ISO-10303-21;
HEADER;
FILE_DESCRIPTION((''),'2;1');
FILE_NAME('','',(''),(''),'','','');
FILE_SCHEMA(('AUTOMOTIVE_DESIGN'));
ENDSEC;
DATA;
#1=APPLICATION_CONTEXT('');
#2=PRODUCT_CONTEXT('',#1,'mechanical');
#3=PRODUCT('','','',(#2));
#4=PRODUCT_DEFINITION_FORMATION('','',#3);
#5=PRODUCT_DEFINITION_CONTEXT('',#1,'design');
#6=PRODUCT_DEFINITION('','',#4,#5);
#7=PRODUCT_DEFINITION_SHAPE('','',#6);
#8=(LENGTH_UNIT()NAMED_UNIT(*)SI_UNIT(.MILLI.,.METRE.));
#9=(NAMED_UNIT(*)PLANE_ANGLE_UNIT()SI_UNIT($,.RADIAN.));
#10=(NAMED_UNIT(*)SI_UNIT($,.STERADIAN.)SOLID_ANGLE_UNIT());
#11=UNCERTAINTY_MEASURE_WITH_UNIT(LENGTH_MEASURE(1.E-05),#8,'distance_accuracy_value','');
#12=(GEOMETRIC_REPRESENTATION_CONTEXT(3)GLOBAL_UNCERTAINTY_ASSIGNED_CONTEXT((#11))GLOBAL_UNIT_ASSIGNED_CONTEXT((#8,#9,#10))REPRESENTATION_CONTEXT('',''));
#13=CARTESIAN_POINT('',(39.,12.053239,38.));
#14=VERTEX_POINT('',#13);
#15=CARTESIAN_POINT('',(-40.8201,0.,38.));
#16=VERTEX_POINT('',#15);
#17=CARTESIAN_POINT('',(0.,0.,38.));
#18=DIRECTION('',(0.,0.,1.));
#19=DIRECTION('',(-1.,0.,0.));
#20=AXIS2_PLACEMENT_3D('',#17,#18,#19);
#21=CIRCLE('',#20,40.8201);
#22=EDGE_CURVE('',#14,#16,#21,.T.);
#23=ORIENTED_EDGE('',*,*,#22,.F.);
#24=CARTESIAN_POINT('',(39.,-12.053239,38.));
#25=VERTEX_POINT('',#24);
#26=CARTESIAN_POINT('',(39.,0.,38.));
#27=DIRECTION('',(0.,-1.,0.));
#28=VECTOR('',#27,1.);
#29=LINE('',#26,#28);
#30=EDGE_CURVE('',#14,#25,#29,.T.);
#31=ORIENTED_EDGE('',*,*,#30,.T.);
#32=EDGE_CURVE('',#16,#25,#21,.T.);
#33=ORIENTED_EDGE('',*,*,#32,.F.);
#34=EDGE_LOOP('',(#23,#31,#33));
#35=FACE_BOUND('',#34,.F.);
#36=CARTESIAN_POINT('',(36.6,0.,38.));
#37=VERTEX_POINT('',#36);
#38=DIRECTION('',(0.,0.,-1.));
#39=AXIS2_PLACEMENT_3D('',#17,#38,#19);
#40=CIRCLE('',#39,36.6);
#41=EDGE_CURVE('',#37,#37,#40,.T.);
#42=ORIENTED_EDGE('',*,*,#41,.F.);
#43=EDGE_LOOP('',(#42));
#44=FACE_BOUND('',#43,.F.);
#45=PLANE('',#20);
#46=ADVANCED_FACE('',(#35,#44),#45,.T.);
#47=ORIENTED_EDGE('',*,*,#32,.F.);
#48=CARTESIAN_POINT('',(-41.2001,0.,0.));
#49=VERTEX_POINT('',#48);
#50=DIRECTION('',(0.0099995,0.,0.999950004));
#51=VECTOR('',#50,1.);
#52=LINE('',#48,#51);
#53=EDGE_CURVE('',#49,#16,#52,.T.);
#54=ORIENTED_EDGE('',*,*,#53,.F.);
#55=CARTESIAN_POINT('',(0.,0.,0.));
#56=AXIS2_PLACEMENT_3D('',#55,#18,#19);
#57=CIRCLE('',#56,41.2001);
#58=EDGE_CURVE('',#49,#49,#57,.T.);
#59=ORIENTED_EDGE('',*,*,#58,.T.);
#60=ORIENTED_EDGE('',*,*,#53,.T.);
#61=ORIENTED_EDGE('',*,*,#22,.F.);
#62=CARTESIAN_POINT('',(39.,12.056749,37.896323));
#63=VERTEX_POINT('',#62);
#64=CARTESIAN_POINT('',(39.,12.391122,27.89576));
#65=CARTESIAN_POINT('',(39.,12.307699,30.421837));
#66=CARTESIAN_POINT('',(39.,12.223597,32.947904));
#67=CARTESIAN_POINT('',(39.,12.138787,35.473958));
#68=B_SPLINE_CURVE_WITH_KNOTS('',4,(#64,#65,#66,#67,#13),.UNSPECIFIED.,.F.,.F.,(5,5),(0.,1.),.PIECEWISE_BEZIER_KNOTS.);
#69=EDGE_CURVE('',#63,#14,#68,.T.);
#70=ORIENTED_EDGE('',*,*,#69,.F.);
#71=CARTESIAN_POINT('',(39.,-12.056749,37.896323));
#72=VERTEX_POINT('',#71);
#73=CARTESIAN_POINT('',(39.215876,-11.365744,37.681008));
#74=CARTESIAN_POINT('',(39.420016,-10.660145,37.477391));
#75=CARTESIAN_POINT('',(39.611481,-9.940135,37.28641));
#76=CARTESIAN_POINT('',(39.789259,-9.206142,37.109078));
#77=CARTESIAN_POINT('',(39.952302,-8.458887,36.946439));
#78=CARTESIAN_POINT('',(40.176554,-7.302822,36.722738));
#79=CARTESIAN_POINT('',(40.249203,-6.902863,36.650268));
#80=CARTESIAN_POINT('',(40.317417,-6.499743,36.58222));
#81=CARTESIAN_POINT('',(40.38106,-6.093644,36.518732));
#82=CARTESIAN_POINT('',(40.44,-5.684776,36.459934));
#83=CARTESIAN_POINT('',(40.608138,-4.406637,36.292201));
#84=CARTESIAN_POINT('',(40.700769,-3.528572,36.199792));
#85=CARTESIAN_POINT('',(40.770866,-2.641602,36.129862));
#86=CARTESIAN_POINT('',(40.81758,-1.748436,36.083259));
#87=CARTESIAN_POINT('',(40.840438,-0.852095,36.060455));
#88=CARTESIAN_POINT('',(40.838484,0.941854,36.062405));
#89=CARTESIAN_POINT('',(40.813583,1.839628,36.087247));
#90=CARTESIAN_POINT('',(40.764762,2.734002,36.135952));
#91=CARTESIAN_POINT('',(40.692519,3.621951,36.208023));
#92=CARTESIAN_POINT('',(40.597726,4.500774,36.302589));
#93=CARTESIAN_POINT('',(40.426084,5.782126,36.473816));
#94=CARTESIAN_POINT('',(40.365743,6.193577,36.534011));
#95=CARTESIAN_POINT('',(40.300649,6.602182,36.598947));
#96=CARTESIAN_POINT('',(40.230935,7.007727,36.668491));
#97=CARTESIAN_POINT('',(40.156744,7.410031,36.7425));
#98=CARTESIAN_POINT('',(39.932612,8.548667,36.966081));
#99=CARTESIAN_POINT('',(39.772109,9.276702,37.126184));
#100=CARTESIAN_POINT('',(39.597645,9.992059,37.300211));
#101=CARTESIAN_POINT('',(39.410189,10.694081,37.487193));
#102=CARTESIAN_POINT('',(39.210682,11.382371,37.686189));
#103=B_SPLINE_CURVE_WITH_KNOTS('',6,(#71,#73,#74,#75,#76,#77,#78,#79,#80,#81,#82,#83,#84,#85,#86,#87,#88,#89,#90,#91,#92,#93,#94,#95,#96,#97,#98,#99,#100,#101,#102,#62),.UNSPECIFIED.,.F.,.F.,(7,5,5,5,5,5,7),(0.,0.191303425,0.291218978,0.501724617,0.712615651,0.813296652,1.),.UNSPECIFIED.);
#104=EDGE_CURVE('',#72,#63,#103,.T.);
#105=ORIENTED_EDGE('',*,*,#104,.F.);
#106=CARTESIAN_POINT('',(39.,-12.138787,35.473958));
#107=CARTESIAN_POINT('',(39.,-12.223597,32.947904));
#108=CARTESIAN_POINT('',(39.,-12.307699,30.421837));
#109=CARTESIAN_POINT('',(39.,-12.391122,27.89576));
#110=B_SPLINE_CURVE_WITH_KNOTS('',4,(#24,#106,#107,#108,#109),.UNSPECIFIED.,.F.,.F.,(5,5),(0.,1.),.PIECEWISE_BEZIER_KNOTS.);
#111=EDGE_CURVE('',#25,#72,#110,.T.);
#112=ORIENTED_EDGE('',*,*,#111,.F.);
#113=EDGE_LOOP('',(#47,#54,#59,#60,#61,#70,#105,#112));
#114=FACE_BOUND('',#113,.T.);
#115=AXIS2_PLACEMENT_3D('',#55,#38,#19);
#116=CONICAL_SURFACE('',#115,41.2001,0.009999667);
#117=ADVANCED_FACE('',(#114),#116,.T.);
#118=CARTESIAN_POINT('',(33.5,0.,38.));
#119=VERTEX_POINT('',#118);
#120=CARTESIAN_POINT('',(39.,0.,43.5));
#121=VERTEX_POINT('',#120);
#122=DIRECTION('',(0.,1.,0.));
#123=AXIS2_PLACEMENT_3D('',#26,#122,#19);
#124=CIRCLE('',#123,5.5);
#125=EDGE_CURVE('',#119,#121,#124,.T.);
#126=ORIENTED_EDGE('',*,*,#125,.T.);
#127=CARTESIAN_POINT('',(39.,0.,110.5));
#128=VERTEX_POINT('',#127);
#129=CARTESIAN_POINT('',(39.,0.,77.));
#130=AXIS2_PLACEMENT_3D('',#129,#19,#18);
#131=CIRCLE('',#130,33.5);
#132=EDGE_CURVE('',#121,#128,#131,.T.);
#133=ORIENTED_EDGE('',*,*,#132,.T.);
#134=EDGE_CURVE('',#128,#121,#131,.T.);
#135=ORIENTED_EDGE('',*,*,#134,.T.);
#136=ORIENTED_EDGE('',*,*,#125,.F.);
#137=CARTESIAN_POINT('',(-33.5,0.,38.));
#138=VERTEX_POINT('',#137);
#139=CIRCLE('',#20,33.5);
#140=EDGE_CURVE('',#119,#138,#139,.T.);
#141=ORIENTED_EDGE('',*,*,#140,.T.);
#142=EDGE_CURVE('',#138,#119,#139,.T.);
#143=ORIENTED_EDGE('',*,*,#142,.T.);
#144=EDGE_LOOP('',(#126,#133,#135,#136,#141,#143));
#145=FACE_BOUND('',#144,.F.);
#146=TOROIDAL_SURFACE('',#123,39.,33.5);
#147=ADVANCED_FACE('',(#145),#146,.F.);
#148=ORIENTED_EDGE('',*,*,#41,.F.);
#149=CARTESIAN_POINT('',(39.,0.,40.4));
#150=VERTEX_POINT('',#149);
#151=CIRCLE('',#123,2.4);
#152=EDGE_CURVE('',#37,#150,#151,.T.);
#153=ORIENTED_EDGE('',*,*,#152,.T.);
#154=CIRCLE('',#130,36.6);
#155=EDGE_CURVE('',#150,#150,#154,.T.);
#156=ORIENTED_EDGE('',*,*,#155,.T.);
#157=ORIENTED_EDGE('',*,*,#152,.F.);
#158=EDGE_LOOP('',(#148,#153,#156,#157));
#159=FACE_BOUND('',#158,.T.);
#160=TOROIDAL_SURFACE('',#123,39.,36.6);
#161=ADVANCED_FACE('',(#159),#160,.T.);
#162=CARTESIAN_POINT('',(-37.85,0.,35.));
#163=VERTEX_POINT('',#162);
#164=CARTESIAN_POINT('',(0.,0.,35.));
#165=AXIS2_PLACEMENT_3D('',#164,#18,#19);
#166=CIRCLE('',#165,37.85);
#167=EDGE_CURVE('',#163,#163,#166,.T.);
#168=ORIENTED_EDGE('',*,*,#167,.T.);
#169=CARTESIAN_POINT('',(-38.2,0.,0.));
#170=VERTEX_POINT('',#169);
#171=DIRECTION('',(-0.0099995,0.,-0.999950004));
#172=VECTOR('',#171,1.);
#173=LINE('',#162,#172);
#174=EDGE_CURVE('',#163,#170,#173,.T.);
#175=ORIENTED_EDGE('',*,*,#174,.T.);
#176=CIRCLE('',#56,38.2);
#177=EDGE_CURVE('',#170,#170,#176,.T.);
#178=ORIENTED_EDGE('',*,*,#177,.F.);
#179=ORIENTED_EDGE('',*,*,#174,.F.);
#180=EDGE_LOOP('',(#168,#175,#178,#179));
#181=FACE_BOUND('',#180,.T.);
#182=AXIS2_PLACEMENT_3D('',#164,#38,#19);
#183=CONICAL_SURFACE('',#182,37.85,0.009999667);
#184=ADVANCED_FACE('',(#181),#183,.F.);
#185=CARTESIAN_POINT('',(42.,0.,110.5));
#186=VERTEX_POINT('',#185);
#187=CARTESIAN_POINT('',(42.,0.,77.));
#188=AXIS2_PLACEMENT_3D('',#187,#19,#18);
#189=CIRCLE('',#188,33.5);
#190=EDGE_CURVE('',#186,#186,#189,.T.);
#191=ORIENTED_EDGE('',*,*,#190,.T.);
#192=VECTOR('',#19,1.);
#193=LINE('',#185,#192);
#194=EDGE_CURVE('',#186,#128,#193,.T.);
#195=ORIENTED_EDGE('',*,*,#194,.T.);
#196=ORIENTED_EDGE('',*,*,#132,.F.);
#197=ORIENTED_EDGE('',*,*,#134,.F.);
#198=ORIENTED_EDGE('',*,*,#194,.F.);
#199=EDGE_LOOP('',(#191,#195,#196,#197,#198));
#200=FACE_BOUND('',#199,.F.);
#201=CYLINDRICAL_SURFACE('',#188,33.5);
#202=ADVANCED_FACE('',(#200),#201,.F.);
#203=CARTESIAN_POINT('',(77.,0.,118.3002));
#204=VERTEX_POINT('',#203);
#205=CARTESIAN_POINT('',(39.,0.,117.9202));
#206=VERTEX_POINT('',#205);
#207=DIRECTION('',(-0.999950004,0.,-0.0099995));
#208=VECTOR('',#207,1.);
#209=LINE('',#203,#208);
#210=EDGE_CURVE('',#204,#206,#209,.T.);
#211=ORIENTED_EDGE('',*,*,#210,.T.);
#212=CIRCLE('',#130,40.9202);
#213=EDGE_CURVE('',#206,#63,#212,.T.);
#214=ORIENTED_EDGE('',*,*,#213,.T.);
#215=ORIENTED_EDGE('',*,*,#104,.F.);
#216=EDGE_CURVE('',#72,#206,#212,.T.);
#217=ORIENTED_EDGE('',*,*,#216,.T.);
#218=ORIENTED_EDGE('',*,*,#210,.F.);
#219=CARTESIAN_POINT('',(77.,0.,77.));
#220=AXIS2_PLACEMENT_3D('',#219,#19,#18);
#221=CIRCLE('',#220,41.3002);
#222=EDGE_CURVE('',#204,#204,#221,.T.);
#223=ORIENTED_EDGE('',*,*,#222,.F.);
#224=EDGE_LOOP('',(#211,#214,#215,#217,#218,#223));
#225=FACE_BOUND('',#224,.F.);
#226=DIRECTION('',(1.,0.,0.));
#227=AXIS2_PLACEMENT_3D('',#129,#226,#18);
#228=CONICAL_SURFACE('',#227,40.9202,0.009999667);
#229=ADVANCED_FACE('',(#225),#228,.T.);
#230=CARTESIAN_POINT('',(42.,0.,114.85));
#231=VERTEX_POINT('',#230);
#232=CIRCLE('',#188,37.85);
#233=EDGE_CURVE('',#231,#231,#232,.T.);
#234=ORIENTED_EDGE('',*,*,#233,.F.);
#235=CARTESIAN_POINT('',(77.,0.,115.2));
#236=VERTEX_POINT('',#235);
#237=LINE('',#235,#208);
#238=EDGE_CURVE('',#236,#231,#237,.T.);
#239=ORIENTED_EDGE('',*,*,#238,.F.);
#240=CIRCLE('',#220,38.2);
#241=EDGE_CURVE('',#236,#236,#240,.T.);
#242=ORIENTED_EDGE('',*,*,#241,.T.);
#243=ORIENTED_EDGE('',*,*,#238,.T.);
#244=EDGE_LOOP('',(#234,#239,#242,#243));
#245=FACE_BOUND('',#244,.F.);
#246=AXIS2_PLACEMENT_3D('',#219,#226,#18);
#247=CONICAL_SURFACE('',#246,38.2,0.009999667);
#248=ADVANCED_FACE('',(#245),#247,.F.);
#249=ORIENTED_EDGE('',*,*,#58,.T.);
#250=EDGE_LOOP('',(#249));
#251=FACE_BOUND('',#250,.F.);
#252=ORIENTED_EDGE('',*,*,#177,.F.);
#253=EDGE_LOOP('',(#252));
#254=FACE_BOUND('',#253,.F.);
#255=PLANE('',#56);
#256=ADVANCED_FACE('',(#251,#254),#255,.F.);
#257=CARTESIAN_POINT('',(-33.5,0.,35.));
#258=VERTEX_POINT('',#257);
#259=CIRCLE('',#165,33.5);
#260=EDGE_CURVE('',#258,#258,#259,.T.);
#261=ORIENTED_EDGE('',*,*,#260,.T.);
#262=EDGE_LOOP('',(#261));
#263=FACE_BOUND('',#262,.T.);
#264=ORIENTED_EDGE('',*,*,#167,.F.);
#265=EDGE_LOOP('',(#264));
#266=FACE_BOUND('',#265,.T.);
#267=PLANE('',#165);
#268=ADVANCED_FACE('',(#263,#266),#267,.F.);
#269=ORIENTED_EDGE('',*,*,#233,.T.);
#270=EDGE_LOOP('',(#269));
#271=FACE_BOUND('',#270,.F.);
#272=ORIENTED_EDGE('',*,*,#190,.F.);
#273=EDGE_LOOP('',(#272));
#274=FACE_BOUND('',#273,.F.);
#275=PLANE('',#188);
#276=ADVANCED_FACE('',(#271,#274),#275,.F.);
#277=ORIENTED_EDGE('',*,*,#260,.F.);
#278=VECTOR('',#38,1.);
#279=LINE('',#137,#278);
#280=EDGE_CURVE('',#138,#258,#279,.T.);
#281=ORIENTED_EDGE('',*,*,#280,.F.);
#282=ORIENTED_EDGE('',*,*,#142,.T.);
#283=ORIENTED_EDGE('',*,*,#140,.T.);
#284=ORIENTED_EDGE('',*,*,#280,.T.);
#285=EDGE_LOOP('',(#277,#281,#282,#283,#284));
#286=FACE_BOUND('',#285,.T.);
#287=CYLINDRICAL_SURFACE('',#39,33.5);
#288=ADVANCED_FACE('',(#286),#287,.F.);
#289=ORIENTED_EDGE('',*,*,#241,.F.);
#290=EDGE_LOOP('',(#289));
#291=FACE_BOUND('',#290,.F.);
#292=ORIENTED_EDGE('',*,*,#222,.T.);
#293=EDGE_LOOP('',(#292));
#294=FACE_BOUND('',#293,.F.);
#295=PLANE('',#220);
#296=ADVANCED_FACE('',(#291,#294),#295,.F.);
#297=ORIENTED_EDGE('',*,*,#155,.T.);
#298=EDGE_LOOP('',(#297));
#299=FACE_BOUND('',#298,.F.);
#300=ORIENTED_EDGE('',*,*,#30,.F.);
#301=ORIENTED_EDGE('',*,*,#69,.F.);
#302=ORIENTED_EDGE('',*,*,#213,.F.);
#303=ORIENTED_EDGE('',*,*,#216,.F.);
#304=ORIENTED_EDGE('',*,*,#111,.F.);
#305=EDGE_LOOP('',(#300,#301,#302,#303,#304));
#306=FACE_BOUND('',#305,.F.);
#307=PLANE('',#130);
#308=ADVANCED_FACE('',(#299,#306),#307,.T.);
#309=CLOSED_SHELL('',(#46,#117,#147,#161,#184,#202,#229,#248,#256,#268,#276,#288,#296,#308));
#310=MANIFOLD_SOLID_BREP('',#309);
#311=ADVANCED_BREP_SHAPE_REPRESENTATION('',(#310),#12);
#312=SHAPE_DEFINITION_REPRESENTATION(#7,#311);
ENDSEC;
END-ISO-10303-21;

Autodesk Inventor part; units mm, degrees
ref_plane "YZ Plane" through (0, 0, 0) normal (1, 0, 0) x (0, 1, 0)
ref_plane "XZ Plane" through (0, 0, 0) normal (0, 1, 0) x (-1, 0, 0)
ref_plane "XY Plane" through (0, 0, 0) normal (0, 0, 1) x (1, 0, 0)
sketch "Sketch1" plane through (0, 0, 0) normal (0, 1, 0) x (-1, 0, 0)
  line L0 (0, 0) -> (0, 38)
  line L1 (41.2001, 0) -> (0, 0)
  line L2 (0, 38) -> (40.8201, 38)
  line L3 (37.85, 35) -> (38.2, 0)
  line L4 (41.2001, 0) -> (40.8201, 38)
  line L5 (33.5, 38) -> (33.5, 35)
  line L6 (33.5, 35) -> (37.85, 35)
  line L7 (33.5, 35) -> (0, 35) construction
  dimension "d0" = 76.4
  dimension "d3" = 75.7
  dimension "d4" = 3
  dimension "d5" = 35
  dimension "d6" = 3
  dimension "d7" = 67
revolve "Revolution1" add sketch "Sketch1" angle 360 about axis through (0, 0, 0) along (0, 0, 1) contours L3 L6 L5 L2 L4 L1
sketch "Sketch2" plane through (0, 0, 38) normal (0, 0, 1) x (1, 0, 0)
  circle A0 centre (0, 0) radius 40.8201 projected
  circle A1 centre (0, 0) radius 33.5 projected
  circle A2 centre (0, 0) radius 36.6
  circle A3 centre (0, 0) radius 33.5
  dimension "d8" = 67
  dimension "d9" = 3.1
sketch "Sketch3" plane through (0, 0, 0) normal (0, 1, 0) x (-1, 0, 0)
  arc A0 (0, 38) -> (-39, 77) centre (-39, 38) ccw
  dimension "d10" = 39
  dimension "d11" = 39
  dimension "d12" = 39
sweep "Sweep1" add profiles "Sketch2" path "Sketch3" contours A2
sketch "Sketch4" plane through (0, 0, 0) normal (0, 1, 0) x (-1, 0, 0)
  line L0 (-39, 43.5) -> (-39, 110.5) projected
  line L1 (-77, 77) -> (-39, 77)
  line L2 (-39, 77) -> (-39, 117.9202)
  line L3 (-39, 117.9202) -> (-77, 118.3002)
  line L4 (-77, 118.3002) -> (-77, 77)
  line L5 (-77, 115.2) -> (-42, 114.85)
  line L6 (-42, 117.9502) -> (-42, 110.5)
  line L7 (-42, 110.5) -> (-39, 110.5)
  line L8 (-42, 110.5) -> (-42, 77) construction
  dimension "d14" = 3.1
  dimension "d15" = 35
  dimension "d16" = 3
  dimension "d17" = 76.4
  dimension "d18" = 75.7
  dimension "d19" = 67
revolve "Revolution2" add sketch "Sketch4" angle 360 about axis through (77, 0, 77) along (-1, 0, 0) contours L7 L6 L3 L2 | L4 L3 L6 L5
equation "\"d0\" = d1"
equation "\"d3\" = d2"
equation "\"d4\" = t2"
equation "\"d5\" = l1"
equation "\"d6\" = t2"
equation "\"d7\" = d"
equation "\"d8\" = d"
equation "\"d9\" = t1"
equation "\"d10\" = Z - t2"
equation "\"d11\" = Z - t2"
equation "\"d12\" = Z - t2"
equation "\"d14\" = t1"
equation "\"d15\" = l1"
equation "\"d16\" = t2"
equation "\"d17\" = d1"
equation "\"d18\" = d2"
equation "\"d19\" = d"
equation "\"d\" = 67"
equation "\"d1\" = 76.4"
equation "\"d2\" = 75.7"
equation "\"l1\" = 35"
equation "\"L\" = 77"
equation "\"t1\" = 3.1"
equation "\"t2\" = 3"
equation "\"Z\" = 42"
properties part number "JIS K 6739 90 Deg Elbow (DL) 65" material "PVC, Unplasticized"
